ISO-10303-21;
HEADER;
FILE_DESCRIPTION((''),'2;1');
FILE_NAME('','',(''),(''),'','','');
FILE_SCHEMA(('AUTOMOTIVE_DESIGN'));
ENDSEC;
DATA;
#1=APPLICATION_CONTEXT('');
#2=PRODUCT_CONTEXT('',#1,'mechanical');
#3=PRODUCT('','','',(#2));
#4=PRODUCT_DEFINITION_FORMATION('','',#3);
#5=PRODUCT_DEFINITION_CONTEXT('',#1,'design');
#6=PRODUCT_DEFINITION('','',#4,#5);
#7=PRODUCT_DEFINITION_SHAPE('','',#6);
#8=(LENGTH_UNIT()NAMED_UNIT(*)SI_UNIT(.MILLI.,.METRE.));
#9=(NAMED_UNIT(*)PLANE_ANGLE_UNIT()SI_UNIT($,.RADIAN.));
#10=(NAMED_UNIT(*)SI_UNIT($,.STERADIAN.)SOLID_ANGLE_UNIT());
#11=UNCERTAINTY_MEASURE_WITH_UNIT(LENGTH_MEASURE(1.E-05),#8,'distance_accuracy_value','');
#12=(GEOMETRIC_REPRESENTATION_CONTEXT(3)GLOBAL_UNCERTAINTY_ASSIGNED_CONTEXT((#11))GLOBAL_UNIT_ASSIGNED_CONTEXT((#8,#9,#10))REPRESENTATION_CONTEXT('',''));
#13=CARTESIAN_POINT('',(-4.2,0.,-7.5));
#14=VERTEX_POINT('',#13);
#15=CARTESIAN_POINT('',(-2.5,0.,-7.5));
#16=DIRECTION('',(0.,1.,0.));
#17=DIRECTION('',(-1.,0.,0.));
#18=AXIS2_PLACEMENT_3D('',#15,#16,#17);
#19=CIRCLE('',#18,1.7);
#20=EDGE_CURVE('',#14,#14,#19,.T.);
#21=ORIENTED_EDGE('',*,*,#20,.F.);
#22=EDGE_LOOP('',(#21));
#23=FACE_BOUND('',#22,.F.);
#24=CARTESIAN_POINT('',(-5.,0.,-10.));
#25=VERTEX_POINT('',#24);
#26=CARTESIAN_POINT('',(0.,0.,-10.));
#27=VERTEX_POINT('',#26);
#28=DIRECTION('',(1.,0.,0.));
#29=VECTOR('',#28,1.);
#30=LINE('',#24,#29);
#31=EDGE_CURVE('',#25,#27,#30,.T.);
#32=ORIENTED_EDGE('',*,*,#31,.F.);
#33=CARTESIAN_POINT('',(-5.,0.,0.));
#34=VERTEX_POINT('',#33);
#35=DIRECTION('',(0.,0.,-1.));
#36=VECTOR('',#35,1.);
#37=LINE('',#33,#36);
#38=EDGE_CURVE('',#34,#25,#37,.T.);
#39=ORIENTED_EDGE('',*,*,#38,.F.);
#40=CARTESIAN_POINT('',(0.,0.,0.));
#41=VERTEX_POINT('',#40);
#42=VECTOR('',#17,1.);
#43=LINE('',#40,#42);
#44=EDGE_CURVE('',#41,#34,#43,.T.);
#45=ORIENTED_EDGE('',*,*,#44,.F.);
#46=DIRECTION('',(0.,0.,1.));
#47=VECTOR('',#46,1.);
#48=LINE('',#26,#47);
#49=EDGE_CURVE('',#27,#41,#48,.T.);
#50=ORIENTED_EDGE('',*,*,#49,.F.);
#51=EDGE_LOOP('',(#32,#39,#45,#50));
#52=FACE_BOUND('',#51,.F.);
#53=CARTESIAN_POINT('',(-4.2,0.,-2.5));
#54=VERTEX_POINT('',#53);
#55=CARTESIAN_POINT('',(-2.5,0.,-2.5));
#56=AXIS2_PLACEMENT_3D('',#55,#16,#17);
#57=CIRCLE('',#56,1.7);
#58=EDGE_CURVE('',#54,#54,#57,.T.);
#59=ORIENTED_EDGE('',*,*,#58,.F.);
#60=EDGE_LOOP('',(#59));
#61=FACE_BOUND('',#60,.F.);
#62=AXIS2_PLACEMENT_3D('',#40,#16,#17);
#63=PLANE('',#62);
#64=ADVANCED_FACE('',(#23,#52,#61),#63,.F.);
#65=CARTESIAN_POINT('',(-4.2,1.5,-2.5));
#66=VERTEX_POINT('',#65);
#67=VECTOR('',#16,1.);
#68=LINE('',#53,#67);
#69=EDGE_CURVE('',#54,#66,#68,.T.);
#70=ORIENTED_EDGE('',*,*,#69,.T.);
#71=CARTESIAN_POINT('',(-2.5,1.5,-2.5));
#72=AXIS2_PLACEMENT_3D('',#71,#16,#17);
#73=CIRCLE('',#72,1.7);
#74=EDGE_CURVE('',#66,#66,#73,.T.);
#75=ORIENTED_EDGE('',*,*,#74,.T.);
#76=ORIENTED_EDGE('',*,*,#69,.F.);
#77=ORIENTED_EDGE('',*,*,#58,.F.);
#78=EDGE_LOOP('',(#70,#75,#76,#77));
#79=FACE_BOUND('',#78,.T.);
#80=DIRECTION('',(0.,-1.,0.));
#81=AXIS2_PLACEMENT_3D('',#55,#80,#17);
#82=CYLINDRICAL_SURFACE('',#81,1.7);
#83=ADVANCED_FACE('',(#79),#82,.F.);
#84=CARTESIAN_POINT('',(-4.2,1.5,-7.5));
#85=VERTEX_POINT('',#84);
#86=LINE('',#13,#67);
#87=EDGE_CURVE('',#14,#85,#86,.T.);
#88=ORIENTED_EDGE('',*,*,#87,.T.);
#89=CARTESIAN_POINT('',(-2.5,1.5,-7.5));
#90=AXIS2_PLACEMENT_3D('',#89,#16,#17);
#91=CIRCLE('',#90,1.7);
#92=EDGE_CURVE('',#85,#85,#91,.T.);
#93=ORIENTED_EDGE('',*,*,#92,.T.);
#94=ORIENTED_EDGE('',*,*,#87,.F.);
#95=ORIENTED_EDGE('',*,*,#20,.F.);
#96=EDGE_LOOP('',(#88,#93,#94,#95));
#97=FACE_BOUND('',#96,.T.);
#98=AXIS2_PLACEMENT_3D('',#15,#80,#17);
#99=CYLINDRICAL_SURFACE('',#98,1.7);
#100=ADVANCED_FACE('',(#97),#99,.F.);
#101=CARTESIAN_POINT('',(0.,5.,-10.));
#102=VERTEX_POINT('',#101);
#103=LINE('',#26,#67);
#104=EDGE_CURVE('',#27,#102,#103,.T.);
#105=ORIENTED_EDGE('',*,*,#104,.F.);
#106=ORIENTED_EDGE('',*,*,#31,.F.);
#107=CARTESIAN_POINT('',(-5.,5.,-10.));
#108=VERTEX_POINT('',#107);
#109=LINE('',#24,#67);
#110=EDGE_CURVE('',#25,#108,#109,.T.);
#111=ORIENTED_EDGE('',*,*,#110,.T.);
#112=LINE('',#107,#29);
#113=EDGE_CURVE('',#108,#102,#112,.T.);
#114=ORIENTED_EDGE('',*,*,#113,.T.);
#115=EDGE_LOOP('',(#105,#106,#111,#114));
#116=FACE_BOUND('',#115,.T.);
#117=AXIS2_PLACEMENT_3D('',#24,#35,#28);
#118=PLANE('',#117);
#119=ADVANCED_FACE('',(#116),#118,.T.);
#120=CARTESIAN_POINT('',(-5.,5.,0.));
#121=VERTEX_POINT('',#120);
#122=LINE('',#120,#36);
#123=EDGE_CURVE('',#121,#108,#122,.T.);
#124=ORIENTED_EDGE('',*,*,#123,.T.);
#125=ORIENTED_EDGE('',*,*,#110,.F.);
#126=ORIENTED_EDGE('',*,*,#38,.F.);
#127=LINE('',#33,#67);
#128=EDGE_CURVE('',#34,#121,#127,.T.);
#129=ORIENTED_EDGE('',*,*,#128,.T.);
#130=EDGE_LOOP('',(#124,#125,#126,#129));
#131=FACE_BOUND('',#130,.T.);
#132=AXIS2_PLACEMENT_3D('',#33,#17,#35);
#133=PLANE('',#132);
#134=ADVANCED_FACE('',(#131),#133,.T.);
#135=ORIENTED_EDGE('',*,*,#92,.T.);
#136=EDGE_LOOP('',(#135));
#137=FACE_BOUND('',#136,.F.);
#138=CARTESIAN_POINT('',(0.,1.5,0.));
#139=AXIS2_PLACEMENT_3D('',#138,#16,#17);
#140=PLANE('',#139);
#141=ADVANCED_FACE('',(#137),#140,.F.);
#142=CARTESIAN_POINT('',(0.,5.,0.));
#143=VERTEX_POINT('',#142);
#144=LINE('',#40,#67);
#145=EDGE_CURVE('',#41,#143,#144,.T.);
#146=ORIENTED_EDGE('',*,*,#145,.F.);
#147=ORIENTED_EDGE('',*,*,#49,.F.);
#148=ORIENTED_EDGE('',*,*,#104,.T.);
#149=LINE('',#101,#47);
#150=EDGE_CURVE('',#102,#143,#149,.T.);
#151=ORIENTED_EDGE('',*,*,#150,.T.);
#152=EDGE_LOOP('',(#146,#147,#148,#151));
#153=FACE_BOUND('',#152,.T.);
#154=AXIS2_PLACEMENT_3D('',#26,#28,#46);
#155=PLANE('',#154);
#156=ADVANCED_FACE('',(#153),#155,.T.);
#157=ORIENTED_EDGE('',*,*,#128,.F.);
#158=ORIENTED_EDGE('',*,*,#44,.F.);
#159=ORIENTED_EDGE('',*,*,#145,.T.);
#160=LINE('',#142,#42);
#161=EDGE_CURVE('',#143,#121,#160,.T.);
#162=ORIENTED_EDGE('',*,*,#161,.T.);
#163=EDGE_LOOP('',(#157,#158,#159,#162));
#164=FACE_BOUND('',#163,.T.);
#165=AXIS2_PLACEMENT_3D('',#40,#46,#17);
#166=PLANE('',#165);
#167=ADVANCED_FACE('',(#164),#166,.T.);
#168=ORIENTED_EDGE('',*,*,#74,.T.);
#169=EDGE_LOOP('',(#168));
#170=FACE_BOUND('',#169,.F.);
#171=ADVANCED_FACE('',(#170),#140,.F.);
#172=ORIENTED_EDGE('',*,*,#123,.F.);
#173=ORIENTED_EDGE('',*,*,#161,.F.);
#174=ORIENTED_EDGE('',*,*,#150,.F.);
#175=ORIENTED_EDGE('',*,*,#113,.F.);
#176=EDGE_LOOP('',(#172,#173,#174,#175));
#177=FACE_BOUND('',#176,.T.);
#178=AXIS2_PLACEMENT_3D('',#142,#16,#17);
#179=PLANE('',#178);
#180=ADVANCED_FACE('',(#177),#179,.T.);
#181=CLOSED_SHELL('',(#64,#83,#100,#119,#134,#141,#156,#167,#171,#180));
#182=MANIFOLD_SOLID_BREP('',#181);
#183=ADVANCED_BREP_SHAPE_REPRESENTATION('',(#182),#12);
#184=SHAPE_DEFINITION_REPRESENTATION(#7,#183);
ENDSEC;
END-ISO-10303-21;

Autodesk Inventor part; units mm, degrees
ref_plane "YZ Plane" through (0, 0, 0) normal (1, 0, 0) x (0, 1, 0)
ref_plane "XZ Plane" through (0, 0, 0) normal (0, 1, 0) x (-1, 0, 0)
ref_plane "XY Plane" through (0, 0, 0) normal (0, 0, 1) x (1, 0, 0)
sketch "草圖1" plane through (0, 0, 0) normal (0, 1, 0) x (-1, 0, 0)
  line L0 (0, 0) -> (5, 0)
  line L1 (5, 0) -> (5, -10)
  line L2 (5, -10) -> (0, -10)
  line L3 (0, -10) -> (0, 0)
  circle A0 centre (2.5, -2.5) radius 1.7
  circle A1 centre (2.5, -7.5) radius 1.7
  dimension "d0" = 5
  dimension "d1" = 10
  dimension "d2" = 3.4
  dimension "d3" = 2.5
  dimension "d4" = 2.5
  dimension "d7" = 5
extrude "擠出1" add sketch "草圖1" along normal blind 5 contours L0 L1 L2 L3 | A0 | A1
extrude "擠出2" cut sketch "草圖1" along normal blind 1.5 contours A0 | A1
properties part number "110033226_ipt_32_平滑木塊(2x1)"
